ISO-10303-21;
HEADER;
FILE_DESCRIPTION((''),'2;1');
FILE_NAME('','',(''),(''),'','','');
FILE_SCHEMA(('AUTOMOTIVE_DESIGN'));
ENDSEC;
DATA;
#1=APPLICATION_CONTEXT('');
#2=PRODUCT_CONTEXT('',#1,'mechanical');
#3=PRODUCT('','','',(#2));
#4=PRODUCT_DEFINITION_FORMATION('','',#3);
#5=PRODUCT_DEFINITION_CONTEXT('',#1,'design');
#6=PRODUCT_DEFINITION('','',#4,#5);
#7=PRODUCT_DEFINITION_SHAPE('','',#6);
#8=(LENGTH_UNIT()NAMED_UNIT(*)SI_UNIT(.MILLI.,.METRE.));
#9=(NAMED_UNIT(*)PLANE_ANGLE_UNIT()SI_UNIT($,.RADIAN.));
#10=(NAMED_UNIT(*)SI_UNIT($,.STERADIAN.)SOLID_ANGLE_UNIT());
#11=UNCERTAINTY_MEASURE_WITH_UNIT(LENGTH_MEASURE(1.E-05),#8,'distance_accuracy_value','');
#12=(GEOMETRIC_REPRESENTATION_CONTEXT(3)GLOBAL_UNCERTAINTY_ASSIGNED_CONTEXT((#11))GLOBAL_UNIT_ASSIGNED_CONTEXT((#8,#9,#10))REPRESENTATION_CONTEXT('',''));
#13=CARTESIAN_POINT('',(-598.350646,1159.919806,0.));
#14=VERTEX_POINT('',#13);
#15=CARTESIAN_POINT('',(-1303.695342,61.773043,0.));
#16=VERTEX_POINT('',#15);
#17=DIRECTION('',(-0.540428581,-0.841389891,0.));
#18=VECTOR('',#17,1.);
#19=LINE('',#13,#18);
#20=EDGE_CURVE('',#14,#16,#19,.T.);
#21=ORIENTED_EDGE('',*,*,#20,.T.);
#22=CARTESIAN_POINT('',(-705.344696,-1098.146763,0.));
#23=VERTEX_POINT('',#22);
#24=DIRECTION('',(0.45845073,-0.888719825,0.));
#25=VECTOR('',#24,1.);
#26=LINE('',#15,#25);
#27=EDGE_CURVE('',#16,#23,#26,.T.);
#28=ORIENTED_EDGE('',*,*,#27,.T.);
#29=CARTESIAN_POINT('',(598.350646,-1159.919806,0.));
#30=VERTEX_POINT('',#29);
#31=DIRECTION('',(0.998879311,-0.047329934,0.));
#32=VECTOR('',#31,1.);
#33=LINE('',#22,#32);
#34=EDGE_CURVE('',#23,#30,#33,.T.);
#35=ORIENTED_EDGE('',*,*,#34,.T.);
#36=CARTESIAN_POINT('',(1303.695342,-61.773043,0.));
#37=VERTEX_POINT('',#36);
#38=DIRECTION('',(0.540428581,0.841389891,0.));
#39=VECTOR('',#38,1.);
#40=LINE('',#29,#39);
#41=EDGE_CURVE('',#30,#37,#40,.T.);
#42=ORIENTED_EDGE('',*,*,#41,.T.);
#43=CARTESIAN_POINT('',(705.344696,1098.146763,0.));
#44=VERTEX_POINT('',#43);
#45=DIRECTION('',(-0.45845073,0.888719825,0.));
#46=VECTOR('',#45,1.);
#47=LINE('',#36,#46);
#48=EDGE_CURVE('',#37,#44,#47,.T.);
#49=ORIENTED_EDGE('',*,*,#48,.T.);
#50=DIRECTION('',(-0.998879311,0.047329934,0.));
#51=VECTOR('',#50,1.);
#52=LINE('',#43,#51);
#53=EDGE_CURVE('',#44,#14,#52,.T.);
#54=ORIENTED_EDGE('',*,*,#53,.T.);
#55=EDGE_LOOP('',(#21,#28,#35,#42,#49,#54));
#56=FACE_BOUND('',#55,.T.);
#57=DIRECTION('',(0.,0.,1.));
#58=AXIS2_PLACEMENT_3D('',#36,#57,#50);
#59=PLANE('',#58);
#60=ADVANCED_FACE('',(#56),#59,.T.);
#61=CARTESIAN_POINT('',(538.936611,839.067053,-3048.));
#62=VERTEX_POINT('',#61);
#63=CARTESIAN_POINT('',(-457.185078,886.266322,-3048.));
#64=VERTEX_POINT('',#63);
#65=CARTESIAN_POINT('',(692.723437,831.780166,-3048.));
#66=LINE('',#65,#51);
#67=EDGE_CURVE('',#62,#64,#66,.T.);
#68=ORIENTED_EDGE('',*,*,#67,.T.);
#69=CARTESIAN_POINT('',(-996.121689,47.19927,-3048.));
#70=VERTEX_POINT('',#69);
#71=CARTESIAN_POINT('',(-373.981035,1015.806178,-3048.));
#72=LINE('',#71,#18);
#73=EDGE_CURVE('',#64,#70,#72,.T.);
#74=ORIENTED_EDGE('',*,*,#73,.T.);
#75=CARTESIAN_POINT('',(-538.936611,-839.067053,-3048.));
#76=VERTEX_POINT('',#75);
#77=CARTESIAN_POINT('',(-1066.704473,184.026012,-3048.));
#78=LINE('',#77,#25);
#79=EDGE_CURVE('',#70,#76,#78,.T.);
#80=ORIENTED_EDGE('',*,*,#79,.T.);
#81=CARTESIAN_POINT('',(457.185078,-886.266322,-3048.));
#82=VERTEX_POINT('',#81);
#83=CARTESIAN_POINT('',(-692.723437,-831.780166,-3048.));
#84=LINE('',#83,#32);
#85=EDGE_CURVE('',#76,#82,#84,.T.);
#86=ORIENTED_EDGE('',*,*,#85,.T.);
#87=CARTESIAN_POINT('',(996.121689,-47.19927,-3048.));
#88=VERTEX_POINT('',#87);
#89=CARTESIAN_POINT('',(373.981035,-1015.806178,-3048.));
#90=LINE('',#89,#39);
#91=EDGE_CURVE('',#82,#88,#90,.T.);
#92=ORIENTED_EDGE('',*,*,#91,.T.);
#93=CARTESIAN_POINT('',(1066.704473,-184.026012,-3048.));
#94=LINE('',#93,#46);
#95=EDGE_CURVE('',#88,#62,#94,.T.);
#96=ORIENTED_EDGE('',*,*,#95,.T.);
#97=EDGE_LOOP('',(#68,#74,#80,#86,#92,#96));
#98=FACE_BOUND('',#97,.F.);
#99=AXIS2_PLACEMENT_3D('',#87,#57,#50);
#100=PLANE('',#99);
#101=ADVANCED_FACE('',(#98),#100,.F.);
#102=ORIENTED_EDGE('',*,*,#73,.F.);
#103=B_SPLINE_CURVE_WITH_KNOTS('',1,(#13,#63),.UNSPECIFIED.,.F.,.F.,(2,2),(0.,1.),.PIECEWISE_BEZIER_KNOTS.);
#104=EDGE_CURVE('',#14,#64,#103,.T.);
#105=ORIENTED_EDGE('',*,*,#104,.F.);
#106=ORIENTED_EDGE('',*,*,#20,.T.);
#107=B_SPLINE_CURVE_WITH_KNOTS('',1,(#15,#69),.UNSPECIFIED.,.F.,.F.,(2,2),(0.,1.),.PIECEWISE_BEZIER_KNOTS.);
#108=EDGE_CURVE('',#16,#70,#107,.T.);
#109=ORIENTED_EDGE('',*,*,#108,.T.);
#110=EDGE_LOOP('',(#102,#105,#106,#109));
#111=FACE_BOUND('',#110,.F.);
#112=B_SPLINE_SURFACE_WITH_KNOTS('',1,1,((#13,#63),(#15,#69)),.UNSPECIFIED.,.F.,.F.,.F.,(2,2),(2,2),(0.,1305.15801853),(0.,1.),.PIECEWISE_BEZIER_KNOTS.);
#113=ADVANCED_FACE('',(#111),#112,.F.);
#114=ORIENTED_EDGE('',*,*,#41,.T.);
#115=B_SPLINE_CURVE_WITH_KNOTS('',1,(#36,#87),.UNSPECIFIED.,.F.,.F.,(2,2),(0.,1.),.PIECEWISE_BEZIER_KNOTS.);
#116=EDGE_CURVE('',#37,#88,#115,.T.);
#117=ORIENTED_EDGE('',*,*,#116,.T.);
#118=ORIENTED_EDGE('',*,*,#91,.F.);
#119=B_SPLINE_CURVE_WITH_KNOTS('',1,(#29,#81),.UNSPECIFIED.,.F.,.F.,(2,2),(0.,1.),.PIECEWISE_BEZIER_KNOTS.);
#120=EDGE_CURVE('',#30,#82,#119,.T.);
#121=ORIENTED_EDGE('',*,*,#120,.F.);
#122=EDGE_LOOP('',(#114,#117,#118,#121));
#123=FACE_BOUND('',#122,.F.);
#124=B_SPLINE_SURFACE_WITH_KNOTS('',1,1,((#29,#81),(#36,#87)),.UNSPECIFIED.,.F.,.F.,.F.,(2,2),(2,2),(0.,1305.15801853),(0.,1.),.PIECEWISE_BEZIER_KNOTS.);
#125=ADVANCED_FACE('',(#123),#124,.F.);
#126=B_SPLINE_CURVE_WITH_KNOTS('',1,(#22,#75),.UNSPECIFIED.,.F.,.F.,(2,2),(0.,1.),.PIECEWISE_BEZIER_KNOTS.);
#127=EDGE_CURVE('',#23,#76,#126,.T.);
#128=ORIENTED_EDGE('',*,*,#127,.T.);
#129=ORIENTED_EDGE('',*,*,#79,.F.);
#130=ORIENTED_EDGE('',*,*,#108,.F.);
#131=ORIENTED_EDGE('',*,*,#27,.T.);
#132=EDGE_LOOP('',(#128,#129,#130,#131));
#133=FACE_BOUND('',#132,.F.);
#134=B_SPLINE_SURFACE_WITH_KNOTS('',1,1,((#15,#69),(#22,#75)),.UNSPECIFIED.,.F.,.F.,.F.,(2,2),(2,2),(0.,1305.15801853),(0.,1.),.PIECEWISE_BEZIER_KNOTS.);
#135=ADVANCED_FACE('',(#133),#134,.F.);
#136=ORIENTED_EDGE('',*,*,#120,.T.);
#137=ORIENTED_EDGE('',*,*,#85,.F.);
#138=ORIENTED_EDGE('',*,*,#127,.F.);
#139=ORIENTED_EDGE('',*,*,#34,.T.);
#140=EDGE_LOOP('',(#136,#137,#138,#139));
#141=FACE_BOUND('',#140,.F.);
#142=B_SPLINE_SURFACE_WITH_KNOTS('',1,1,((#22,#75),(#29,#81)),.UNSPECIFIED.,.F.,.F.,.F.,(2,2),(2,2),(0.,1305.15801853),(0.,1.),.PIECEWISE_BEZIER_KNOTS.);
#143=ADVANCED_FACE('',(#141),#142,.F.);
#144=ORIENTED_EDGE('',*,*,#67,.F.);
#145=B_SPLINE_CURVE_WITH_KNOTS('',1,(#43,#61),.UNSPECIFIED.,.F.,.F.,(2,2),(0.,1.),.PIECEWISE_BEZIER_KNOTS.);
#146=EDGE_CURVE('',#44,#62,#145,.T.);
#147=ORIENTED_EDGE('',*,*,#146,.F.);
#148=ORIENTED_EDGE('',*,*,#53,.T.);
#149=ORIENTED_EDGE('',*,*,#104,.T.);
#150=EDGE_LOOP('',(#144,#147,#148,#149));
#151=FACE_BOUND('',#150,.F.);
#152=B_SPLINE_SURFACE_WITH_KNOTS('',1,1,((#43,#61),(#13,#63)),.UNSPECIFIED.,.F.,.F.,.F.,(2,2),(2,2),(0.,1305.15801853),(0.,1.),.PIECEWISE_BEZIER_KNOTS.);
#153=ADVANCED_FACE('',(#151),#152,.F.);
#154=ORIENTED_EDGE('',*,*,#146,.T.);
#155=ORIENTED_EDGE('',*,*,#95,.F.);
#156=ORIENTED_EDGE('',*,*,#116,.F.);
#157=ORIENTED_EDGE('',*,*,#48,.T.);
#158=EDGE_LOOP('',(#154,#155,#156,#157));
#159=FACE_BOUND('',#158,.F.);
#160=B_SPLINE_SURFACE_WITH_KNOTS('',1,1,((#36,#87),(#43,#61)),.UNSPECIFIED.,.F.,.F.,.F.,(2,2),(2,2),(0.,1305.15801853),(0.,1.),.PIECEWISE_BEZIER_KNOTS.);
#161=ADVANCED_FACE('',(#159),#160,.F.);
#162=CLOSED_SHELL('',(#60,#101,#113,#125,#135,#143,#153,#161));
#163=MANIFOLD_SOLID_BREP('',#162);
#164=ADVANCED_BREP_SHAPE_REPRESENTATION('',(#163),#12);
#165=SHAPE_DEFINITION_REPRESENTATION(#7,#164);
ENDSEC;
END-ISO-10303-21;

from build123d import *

# Parameters (mm, degrees)
F1_DEPTH = 3048
F1_TAPER = 5


with BuildPart() as f1:
    # F0 (on Top) → F1 (new body)
    with BuildSketch(Plane.XY):
        Polygon((1303.6953418973, -61.7730430585), (705.3446955063, 1098.1467633492), (-598.3506463909, 1159.9198064077), (-1303.6953418973, 61.7730430585), (-705.3446955063, -1098.1467633492), (598.3506463909, -1159.9198064077), align=None)
    extrude(amount=-F1_DEPTH, taper=F1_TAPER)


solid = f1.part
